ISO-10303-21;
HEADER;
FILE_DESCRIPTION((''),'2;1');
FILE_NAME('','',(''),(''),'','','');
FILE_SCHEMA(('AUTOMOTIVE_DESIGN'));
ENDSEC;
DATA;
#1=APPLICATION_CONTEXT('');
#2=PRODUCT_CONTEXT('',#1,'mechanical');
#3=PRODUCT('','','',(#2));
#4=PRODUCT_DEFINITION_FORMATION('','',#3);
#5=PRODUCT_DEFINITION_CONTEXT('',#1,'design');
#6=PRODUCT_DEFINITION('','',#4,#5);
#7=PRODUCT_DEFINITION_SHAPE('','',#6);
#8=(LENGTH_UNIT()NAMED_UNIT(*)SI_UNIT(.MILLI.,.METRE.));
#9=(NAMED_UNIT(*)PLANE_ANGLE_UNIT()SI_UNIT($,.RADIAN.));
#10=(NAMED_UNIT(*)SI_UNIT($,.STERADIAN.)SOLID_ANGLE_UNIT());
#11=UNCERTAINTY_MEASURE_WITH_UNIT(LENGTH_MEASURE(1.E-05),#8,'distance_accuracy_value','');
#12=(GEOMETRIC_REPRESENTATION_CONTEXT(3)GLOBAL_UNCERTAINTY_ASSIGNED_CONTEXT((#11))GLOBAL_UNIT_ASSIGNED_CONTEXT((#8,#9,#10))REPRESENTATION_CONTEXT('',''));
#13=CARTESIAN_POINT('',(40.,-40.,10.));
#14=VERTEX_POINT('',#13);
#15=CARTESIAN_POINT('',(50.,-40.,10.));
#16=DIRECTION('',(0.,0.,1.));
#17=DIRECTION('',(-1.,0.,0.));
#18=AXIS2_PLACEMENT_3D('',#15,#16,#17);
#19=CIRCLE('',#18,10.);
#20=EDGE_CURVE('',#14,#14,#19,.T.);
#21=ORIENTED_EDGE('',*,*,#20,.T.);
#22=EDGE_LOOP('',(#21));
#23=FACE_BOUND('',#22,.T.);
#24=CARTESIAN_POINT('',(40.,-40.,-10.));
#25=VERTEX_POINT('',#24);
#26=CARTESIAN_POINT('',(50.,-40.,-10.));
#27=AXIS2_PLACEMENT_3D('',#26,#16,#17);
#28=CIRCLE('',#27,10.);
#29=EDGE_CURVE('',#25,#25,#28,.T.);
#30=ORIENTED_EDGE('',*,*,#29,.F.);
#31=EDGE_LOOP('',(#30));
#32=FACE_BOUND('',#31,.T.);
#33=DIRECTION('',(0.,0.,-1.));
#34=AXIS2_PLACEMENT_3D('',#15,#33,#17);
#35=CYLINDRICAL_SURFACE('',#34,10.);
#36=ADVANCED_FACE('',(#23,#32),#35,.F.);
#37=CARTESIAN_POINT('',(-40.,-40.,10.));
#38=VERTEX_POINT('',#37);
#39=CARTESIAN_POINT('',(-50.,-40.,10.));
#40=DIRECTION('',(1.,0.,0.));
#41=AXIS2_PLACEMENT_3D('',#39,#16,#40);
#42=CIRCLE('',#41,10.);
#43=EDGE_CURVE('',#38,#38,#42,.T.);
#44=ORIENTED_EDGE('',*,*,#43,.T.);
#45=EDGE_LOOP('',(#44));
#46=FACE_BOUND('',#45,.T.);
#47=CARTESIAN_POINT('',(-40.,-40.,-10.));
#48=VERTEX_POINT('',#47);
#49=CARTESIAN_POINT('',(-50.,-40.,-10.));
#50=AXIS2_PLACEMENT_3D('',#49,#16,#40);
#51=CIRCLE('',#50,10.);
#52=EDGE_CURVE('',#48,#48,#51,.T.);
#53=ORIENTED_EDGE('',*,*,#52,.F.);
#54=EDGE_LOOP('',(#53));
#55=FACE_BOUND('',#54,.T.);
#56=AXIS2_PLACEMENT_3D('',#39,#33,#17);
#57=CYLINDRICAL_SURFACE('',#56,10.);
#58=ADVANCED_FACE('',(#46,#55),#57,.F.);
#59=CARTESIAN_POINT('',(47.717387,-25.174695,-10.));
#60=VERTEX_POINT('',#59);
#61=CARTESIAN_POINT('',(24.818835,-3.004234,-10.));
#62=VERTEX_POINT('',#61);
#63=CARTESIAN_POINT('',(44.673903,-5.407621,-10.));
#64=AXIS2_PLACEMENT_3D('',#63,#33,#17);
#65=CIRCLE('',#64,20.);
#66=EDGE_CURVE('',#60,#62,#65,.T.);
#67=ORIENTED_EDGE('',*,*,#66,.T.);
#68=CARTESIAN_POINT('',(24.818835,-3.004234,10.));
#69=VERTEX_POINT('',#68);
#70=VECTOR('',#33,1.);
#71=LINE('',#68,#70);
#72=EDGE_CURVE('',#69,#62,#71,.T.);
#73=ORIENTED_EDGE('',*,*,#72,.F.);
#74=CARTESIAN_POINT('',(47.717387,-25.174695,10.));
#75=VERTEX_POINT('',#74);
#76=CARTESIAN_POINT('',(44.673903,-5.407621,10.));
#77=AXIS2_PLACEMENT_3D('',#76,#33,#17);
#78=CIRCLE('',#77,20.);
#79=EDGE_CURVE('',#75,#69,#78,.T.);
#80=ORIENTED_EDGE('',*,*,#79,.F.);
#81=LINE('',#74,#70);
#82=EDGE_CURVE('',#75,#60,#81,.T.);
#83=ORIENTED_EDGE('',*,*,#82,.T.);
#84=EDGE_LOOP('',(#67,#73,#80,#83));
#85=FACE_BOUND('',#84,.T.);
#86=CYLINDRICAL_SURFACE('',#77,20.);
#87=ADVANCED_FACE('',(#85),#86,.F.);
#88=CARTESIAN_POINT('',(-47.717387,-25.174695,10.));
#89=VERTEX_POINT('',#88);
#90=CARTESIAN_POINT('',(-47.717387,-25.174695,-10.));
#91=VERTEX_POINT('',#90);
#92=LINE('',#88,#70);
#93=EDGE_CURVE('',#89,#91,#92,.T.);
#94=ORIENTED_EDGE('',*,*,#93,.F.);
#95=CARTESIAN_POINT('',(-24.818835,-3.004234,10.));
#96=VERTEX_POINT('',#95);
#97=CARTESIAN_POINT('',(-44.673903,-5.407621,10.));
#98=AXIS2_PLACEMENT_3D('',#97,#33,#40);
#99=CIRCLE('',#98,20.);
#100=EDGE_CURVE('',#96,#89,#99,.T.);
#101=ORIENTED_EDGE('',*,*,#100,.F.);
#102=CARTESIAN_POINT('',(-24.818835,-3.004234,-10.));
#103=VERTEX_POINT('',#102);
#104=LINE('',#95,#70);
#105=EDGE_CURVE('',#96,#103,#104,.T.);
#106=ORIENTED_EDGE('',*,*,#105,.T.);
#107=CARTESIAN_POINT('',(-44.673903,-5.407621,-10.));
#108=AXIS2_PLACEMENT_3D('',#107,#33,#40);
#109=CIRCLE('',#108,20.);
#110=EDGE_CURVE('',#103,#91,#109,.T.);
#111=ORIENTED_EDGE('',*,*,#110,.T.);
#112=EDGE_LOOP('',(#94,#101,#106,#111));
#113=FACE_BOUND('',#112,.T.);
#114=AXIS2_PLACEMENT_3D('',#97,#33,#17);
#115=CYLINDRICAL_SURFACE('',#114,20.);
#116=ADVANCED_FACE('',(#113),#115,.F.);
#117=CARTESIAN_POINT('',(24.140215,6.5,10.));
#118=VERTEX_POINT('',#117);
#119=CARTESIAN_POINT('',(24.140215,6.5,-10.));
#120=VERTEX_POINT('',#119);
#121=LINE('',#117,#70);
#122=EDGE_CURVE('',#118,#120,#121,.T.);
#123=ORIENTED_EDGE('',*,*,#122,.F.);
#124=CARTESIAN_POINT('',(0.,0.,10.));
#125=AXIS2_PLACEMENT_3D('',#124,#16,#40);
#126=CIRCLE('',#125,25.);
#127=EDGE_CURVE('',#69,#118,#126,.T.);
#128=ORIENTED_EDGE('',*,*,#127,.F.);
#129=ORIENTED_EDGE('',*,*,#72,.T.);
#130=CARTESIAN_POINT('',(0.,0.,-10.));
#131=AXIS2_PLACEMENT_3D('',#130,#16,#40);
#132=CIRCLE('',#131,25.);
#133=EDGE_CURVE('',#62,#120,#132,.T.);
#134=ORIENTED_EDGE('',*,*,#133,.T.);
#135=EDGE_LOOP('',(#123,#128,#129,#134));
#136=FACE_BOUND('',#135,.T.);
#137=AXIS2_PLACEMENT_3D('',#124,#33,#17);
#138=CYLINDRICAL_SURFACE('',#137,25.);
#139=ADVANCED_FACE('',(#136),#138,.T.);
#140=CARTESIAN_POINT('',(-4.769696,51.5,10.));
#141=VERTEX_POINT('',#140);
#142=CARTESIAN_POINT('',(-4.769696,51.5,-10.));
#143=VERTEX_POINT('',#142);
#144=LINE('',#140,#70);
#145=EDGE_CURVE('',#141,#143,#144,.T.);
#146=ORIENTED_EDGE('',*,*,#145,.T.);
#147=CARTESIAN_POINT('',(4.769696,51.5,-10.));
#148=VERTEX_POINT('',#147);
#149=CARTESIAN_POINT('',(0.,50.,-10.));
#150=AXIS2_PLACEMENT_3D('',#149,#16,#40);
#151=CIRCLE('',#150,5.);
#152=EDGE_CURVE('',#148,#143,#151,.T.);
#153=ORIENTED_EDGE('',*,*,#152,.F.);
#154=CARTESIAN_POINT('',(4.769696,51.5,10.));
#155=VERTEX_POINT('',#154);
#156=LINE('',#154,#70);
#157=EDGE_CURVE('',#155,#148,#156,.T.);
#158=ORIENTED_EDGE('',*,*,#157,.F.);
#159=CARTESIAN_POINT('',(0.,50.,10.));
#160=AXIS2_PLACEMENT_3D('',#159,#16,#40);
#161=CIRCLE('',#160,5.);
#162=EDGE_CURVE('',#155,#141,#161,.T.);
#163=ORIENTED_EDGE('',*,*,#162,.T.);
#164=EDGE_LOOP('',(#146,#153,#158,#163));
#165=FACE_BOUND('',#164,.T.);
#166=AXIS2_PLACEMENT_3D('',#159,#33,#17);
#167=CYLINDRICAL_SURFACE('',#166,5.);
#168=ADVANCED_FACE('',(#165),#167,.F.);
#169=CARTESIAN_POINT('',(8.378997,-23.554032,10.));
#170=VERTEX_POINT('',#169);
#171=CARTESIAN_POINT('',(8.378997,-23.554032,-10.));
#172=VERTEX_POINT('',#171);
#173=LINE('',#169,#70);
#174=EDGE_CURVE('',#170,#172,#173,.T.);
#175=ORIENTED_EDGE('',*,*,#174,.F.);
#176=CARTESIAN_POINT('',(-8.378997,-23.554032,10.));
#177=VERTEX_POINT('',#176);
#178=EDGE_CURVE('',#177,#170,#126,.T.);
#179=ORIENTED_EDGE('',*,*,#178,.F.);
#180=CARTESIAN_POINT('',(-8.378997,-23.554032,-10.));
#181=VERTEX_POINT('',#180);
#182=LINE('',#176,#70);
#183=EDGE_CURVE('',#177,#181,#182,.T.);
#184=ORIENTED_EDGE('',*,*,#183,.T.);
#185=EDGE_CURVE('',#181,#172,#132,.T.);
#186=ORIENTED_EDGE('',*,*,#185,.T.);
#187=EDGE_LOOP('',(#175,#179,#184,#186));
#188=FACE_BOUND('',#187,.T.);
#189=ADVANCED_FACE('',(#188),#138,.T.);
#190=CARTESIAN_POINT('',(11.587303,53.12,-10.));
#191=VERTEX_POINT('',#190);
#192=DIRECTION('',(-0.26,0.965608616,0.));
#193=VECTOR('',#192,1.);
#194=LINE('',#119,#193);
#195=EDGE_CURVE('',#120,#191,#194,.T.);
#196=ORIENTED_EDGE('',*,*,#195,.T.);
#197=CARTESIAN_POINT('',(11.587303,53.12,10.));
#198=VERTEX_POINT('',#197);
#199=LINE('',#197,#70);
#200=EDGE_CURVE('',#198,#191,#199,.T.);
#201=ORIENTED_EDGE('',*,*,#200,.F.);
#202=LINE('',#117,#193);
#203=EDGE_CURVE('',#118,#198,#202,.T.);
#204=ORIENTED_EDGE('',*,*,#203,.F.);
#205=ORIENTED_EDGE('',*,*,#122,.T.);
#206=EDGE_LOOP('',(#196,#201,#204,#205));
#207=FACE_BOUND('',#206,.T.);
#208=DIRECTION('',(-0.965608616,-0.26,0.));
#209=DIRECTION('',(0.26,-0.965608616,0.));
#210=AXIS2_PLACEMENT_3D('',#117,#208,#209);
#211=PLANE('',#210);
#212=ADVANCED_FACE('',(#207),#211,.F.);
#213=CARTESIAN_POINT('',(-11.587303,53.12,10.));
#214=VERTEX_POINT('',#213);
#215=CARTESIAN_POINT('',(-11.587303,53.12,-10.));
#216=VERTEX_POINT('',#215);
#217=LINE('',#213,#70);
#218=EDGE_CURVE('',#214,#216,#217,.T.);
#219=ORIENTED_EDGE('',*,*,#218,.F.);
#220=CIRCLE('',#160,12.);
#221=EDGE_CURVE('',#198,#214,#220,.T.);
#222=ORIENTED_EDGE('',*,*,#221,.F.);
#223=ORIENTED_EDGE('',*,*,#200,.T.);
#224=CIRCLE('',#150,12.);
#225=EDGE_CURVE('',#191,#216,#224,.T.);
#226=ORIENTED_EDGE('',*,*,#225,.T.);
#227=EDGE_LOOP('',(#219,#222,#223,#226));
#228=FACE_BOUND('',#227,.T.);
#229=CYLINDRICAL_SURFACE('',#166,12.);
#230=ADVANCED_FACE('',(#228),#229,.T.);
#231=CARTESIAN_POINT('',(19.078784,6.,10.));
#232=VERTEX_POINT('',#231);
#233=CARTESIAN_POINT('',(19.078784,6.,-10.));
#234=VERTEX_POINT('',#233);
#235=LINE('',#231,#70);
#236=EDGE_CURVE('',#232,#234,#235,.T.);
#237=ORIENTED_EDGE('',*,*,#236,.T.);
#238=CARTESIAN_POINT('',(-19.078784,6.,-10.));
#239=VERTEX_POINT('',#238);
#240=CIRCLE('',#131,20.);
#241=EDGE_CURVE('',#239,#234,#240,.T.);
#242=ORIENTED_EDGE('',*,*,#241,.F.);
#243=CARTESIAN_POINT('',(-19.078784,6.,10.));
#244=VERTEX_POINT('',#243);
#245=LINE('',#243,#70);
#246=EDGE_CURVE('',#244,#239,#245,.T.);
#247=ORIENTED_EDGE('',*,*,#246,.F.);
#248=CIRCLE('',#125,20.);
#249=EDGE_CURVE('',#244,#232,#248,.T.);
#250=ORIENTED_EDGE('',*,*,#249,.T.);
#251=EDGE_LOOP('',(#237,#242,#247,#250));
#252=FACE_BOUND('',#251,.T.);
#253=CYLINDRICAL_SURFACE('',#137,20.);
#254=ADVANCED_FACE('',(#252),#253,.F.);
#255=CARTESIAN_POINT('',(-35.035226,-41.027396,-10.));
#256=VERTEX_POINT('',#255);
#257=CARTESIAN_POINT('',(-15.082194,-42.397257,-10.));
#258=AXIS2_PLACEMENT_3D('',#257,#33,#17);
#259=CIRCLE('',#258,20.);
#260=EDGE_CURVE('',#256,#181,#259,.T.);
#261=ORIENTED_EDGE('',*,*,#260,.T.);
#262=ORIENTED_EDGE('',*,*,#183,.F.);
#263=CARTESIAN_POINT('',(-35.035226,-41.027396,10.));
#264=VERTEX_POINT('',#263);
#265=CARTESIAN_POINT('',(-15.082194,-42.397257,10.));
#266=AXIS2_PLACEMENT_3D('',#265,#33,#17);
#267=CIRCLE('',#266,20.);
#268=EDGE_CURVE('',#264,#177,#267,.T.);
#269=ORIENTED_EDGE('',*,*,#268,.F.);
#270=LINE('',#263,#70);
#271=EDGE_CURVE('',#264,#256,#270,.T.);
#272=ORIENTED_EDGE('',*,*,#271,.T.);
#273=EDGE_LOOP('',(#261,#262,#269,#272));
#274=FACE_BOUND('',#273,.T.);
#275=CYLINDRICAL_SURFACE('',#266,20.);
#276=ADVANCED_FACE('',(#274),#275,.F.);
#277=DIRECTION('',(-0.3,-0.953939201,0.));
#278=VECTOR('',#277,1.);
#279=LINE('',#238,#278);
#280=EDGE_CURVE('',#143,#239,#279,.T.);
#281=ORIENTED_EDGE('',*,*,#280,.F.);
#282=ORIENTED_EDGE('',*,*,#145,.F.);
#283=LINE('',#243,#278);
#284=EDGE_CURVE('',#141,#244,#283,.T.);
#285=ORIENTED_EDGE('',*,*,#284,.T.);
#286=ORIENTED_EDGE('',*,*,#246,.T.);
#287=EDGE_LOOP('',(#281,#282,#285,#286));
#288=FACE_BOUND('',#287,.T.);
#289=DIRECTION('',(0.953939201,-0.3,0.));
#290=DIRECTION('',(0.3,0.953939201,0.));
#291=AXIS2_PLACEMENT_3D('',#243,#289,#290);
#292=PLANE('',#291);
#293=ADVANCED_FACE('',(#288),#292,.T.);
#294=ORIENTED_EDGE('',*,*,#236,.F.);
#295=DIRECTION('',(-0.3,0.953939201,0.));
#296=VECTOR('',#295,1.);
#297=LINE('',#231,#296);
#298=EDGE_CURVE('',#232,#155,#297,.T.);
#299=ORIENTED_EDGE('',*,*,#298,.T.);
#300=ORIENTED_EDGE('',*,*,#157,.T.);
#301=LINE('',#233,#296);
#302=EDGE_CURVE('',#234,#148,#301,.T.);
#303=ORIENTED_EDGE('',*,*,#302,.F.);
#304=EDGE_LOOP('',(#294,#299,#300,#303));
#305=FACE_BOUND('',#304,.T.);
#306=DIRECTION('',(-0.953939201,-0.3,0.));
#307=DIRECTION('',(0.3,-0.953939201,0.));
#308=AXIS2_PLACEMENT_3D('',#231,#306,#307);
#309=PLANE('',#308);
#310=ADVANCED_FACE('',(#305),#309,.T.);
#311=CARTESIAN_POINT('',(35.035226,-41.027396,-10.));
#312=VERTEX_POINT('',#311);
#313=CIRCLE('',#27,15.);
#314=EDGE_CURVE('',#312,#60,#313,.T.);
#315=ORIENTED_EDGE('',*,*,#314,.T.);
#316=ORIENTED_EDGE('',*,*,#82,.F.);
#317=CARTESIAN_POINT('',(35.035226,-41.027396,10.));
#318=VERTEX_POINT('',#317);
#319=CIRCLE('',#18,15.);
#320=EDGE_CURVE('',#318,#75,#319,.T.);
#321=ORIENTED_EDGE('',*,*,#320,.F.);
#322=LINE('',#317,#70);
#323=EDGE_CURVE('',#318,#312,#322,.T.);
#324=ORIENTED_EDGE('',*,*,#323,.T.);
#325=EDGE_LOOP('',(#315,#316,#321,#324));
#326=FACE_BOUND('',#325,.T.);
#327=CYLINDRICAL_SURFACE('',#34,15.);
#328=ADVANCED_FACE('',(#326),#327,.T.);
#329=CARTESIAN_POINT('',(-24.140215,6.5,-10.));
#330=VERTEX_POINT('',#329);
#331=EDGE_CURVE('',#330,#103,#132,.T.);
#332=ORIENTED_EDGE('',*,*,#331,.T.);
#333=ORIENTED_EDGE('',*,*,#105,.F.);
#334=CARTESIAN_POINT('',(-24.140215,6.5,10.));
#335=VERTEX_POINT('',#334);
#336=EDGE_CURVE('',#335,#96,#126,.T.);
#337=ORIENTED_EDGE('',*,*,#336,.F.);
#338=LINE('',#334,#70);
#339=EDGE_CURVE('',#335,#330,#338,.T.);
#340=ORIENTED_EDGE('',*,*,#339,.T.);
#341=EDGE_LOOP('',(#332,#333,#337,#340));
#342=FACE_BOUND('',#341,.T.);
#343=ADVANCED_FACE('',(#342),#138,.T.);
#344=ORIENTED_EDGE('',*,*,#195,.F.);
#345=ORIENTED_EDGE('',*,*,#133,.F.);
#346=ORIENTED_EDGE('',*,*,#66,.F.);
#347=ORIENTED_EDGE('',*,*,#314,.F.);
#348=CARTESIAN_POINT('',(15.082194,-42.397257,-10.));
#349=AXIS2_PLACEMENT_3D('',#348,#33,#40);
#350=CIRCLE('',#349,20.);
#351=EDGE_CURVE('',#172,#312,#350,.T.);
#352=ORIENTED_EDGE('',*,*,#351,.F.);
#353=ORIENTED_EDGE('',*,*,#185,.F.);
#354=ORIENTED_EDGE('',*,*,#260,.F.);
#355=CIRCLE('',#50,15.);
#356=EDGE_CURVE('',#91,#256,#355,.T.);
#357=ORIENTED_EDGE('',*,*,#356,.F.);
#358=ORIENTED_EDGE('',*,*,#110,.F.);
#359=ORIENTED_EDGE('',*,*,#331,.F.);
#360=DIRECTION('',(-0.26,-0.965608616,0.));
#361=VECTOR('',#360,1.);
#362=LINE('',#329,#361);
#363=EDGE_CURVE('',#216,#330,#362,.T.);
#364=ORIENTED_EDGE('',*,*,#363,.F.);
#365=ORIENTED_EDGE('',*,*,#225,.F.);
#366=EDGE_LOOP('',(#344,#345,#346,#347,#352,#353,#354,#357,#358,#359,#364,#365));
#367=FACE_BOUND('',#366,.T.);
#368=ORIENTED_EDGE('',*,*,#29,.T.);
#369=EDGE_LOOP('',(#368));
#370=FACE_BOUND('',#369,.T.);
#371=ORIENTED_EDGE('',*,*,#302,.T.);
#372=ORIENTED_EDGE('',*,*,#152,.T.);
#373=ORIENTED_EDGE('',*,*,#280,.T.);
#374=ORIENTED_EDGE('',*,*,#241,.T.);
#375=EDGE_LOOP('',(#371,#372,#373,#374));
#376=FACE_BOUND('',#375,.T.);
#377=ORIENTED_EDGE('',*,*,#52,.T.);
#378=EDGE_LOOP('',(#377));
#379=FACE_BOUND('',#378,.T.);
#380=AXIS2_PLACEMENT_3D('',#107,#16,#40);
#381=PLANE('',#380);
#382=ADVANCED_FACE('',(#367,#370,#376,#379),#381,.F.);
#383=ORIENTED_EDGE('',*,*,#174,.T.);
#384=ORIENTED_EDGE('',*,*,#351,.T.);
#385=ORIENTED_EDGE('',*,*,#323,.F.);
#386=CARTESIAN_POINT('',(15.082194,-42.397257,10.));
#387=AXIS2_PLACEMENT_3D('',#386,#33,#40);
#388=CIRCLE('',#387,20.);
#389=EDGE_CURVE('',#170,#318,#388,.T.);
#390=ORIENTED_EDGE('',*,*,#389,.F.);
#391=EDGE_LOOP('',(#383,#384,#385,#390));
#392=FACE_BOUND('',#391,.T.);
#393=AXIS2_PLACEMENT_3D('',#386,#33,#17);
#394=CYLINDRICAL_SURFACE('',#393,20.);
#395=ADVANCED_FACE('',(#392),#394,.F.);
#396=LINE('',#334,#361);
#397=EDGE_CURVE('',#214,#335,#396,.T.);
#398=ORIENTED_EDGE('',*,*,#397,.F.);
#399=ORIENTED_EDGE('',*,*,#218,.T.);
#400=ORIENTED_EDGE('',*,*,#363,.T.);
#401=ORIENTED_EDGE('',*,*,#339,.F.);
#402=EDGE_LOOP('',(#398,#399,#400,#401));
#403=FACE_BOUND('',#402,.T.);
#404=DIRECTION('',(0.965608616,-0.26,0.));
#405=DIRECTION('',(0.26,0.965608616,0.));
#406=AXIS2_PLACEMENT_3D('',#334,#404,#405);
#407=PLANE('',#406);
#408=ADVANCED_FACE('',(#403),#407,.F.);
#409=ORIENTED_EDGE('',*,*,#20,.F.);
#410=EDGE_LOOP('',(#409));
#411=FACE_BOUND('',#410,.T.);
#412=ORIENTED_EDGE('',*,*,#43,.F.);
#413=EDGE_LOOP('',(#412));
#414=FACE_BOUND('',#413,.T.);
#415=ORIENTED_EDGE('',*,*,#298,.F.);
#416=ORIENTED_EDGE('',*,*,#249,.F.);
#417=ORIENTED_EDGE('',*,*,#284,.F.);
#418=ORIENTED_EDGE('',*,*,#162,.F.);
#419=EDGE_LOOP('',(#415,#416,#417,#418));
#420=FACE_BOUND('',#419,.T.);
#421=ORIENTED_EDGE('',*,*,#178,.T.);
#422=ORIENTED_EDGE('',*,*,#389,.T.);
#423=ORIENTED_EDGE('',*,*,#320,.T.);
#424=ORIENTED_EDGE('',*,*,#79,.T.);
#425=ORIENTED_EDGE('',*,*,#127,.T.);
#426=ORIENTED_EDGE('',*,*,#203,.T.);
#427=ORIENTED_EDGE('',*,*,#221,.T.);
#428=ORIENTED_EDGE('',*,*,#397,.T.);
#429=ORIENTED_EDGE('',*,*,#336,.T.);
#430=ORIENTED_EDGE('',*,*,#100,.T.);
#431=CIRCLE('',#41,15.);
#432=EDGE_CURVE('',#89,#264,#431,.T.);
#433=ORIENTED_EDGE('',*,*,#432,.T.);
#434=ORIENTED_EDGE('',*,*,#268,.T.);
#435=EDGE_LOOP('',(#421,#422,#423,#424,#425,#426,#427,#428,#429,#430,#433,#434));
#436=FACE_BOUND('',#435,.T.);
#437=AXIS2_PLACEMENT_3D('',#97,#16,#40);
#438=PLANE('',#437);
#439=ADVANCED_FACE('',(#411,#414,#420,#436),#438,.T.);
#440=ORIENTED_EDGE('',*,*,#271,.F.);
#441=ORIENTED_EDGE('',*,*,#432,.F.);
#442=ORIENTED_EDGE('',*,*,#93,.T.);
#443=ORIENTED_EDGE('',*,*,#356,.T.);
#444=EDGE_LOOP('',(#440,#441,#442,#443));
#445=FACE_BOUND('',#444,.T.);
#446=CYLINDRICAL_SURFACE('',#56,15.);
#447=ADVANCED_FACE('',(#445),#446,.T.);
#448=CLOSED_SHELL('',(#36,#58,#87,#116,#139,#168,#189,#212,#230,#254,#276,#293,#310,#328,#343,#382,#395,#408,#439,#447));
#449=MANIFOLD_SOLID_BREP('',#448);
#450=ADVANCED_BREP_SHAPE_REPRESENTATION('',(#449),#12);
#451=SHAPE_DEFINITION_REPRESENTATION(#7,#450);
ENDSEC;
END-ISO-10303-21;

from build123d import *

# Parameters (mm, degrees)
SKETCH1_R           = 10
BOSS_EXTRUDE1_DEPTH = 10


with BuildPart() as part:
    # Sketch1 → Boss-Extrude1 (new, symmetric)
    with BuildSketch(Plane.XY):
        with BuildLine():
            Line((-24.140215409, 6.5), (-11.587303396, 53.12))
            ThreePointArc((-11.587303396, 53.12), (0, 62), (11.587303396, 53.12))
            Line((11.587303396, 53.12), (24.140215409, 6.5))
            ThreePointArc((24.140215409, 6.5), (24.936514863, 1.780512988), (24.81883517, -3.004233816))
            ThreePointArc((24.81883517, -3.004233816), (30.762049538, -19.776348187), (47.717387131, -25.174694658))
            ThreePointArc((47.717387131, -25.174694658), (61.713032142, -49.370425713), (35.03522611, -41.027395935))
            ThreePointArc((35.03522611, -41.027395935), (26.046643252, -25.670606045), (8.378996809, -23.554031767))
            ThreePointArc((8.378996809, -23.554031767), (0, -25), (-8.378996809, -23.554031767))
            ThreePointArc((-8.378996809, -23.554031767), (-26.046643252, -25.670606045), (-35.03522611, -41.027395935))
            ThreePointArc((-35.03522611, -41.027395935), (-61.713032142, -49.370425713), (-47.717387131, -25.174694658))
            ThreePointArc((-47.717387131, -25.174694658), (-30.762049538, -19.776348187), (-24.81883517, -3.004233816))
            ThreePointArc((-24.81883517, -3.004233816), (-24.936514863, 1.780512988), (-24.140215409, 6.5))
        make_face()
        with Locations((-50, -40)):
            Circle(SKETCH1_R, mode=Mode.SUBTRACT)
        with Locations(Location((50, -40, 0), (0, 0, 180))):
            Circle(SKETCH1_R, mode=Mode.SUBTRACT)
        with BuildLine():
            Line((-19.078784028, 6), (-4.769696007, 51.5))
            ThreePointArc((-4.769696007, 51.5), (0, 55), (4.769696007, 51.5))
            Line((4.769696007, 51.5), (19.078784028, 6))
            ThreePointArc((19.078784028, 6), (0, -20), (-19.078784028, 6))
        make_face(mode=Mode.SUBTRACT)
    extrude(amount=BOSS_EXTRUDE1_DEPTH, both=True)


solid = part.part
